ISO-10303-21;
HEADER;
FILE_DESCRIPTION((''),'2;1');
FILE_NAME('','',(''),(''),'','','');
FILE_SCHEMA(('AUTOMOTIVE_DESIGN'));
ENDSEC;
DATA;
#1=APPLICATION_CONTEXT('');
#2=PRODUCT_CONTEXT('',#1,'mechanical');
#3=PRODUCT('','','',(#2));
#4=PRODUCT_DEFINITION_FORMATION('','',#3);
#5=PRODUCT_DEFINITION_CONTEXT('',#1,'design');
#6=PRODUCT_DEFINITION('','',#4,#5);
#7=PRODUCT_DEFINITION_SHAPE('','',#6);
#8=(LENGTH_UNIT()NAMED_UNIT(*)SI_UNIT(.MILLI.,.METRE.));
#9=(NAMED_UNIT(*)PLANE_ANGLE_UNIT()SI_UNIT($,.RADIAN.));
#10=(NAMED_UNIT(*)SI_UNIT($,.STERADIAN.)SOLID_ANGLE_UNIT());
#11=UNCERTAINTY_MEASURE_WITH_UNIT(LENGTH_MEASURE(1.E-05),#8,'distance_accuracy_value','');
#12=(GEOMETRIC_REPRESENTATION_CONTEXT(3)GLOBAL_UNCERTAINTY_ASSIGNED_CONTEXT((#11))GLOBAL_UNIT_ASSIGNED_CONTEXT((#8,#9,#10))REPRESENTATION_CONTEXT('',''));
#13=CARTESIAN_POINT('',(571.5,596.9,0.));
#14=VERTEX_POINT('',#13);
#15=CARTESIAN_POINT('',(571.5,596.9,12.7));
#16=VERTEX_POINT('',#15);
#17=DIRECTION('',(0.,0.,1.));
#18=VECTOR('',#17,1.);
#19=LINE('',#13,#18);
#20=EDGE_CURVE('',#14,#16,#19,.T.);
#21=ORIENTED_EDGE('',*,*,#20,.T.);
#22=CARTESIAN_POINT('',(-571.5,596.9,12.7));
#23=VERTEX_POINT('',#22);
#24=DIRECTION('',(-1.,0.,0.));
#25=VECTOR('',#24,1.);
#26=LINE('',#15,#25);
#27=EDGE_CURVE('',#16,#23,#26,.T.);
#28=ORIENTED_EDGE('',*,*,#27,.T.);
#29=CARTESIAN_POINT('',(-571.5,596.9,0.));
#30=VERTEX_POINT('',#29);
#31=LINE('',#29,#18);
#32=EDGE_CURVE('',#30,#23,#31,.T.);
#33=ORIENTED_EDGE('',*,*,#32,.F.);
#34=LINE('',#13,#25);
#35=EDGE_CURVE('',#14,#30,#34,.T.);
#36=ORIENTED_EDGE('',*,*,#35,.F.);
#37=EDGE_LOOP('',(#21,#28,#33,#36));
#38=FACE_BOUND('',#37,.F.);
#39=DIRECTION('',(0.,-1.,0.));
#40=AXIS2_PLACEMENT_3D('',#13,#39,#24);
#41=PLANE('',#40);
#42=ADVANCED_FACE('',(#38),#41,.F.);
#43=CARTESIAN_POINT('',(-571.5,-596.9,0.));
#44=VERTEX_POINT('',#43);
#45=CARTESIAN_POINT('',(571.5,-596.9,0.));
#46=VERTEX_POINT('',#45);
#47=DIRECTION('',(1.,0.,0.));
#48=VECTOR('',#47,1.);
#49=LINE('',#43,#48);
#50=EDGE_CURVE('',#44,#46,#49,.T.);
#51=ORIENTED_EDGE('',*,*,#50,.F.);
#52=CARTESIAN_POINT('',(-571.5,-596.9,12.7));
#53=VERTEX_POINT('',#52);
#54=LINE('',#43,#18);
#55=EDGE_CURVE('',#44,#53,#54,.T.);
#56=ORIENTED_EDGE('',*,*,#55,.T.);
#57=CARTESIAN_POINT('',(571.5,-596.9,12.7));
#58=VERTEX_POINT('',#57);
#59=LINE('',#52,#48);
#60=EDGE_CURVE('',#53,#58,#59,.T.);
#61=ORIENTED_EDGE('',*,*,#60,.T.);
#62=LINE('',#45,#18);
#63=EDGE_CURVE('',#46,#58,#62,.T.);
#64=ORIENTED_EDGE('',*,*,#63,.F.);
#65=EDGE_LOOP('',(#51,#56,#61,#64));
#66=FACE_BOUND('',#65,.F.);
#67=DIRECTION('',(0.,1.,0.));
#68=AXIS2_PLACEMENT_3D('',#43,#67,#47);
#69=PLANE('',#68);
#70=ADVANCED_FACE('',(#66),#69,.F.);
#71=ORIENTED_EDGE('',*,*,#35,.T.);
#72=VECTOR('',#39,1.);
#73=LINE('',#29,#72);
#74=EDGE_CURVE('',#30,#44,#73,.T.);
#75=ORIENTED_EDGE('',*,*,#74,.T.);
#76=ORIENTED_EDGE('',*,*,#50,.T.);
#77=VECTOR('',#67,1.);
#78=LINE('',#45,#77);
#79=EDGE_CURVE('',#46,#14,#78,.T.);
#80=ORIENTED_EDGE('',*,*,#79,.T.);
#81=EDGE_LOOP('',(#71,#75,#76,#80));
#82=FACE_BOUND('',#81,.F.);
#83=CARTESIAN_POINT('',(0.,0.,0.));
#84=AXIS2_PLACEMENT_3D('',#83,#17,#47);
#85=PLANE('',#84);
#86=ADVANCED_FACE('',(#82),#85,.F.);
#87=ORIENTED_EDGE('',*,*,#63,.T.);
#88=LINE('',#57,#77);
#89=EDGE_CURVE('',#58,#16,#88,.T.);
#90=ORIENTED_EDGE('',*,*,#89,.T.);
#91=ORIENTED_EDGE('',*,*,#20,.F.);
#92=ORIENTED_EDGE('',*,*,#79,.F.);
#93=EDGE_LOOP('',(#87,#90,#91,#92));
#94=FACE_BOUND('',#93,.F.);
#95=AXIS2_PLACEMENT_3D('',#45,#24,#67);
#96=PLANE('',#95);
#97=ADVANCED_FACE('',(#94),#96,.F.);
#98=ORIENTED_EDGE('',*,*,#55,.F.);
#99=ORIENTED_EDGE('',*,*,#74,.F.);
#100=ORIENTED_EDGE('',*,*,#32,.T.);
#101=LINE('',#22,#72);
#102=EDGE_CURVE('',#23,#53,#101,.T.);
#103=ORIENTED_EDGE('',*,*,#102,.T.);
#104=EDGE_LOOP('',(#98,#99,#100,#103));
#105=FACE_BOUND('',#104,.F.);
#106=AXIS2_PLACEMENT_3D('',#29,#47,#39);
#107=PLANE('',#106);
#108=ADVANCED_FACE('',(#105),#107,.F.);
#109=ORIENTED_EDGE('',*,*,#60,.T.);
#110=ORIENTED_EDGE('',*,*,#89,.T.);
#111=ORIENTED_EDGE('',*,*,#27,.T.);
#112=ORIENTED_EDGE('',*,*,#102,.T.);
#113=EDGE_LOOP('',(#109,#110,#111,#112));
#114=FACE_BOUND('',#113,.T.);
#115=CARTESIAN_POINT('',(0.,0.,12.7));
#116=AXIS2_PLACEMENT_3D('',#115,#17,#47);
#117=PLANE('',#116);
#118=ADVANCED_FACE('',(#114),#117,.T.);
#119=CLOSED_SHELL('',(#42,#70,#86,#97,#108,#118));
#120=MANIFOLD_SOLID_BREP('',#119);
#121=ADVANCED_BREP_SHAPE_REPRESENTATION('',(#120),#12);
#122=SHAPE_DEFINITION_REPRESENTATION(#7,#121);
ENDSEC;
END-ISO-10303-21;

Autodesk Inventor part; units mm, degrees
ref_plane "YZ Plane" through (0, 0, 0) normal (1, 0, 0) x (0, 1, 0)
ref_plane "XZ Plane" through (0, 0, 0) normal (0, 1, 0) x (-1, 0, 0)
ref_plane "XY Plane" through (0, 0, 0) normal (0, 0, 1) x (1, 0, 0)
sketch "Sketch1" plane through (0, 0, 0) normal (0, 0, 1) x (1, 0, 0)
  line L0 (-571.5, -596.9) -> (571.5, -596.9)
  line L1 (571.5, -596.9) -> (571.5, 596.9)
  line L2 (571.5, 596.9) -> (-571.5, 596.9)
  line L3 (-571.5, 596.9) -> (-571.5, -596.9)
  line L4 (-571.5, -596.9) -> (571.5, 596.9) construction
  line L5 (571.5, -596.9) -> (-571.5, 596.9) construction
  point P0 (0, 0)
  dimension "d0" = 1143
  dimension "d1" = 1193.8
extrude "Extrusion1" add sketch "Sketch1" along normal blind 12.7
properties part number "right_1_0"
